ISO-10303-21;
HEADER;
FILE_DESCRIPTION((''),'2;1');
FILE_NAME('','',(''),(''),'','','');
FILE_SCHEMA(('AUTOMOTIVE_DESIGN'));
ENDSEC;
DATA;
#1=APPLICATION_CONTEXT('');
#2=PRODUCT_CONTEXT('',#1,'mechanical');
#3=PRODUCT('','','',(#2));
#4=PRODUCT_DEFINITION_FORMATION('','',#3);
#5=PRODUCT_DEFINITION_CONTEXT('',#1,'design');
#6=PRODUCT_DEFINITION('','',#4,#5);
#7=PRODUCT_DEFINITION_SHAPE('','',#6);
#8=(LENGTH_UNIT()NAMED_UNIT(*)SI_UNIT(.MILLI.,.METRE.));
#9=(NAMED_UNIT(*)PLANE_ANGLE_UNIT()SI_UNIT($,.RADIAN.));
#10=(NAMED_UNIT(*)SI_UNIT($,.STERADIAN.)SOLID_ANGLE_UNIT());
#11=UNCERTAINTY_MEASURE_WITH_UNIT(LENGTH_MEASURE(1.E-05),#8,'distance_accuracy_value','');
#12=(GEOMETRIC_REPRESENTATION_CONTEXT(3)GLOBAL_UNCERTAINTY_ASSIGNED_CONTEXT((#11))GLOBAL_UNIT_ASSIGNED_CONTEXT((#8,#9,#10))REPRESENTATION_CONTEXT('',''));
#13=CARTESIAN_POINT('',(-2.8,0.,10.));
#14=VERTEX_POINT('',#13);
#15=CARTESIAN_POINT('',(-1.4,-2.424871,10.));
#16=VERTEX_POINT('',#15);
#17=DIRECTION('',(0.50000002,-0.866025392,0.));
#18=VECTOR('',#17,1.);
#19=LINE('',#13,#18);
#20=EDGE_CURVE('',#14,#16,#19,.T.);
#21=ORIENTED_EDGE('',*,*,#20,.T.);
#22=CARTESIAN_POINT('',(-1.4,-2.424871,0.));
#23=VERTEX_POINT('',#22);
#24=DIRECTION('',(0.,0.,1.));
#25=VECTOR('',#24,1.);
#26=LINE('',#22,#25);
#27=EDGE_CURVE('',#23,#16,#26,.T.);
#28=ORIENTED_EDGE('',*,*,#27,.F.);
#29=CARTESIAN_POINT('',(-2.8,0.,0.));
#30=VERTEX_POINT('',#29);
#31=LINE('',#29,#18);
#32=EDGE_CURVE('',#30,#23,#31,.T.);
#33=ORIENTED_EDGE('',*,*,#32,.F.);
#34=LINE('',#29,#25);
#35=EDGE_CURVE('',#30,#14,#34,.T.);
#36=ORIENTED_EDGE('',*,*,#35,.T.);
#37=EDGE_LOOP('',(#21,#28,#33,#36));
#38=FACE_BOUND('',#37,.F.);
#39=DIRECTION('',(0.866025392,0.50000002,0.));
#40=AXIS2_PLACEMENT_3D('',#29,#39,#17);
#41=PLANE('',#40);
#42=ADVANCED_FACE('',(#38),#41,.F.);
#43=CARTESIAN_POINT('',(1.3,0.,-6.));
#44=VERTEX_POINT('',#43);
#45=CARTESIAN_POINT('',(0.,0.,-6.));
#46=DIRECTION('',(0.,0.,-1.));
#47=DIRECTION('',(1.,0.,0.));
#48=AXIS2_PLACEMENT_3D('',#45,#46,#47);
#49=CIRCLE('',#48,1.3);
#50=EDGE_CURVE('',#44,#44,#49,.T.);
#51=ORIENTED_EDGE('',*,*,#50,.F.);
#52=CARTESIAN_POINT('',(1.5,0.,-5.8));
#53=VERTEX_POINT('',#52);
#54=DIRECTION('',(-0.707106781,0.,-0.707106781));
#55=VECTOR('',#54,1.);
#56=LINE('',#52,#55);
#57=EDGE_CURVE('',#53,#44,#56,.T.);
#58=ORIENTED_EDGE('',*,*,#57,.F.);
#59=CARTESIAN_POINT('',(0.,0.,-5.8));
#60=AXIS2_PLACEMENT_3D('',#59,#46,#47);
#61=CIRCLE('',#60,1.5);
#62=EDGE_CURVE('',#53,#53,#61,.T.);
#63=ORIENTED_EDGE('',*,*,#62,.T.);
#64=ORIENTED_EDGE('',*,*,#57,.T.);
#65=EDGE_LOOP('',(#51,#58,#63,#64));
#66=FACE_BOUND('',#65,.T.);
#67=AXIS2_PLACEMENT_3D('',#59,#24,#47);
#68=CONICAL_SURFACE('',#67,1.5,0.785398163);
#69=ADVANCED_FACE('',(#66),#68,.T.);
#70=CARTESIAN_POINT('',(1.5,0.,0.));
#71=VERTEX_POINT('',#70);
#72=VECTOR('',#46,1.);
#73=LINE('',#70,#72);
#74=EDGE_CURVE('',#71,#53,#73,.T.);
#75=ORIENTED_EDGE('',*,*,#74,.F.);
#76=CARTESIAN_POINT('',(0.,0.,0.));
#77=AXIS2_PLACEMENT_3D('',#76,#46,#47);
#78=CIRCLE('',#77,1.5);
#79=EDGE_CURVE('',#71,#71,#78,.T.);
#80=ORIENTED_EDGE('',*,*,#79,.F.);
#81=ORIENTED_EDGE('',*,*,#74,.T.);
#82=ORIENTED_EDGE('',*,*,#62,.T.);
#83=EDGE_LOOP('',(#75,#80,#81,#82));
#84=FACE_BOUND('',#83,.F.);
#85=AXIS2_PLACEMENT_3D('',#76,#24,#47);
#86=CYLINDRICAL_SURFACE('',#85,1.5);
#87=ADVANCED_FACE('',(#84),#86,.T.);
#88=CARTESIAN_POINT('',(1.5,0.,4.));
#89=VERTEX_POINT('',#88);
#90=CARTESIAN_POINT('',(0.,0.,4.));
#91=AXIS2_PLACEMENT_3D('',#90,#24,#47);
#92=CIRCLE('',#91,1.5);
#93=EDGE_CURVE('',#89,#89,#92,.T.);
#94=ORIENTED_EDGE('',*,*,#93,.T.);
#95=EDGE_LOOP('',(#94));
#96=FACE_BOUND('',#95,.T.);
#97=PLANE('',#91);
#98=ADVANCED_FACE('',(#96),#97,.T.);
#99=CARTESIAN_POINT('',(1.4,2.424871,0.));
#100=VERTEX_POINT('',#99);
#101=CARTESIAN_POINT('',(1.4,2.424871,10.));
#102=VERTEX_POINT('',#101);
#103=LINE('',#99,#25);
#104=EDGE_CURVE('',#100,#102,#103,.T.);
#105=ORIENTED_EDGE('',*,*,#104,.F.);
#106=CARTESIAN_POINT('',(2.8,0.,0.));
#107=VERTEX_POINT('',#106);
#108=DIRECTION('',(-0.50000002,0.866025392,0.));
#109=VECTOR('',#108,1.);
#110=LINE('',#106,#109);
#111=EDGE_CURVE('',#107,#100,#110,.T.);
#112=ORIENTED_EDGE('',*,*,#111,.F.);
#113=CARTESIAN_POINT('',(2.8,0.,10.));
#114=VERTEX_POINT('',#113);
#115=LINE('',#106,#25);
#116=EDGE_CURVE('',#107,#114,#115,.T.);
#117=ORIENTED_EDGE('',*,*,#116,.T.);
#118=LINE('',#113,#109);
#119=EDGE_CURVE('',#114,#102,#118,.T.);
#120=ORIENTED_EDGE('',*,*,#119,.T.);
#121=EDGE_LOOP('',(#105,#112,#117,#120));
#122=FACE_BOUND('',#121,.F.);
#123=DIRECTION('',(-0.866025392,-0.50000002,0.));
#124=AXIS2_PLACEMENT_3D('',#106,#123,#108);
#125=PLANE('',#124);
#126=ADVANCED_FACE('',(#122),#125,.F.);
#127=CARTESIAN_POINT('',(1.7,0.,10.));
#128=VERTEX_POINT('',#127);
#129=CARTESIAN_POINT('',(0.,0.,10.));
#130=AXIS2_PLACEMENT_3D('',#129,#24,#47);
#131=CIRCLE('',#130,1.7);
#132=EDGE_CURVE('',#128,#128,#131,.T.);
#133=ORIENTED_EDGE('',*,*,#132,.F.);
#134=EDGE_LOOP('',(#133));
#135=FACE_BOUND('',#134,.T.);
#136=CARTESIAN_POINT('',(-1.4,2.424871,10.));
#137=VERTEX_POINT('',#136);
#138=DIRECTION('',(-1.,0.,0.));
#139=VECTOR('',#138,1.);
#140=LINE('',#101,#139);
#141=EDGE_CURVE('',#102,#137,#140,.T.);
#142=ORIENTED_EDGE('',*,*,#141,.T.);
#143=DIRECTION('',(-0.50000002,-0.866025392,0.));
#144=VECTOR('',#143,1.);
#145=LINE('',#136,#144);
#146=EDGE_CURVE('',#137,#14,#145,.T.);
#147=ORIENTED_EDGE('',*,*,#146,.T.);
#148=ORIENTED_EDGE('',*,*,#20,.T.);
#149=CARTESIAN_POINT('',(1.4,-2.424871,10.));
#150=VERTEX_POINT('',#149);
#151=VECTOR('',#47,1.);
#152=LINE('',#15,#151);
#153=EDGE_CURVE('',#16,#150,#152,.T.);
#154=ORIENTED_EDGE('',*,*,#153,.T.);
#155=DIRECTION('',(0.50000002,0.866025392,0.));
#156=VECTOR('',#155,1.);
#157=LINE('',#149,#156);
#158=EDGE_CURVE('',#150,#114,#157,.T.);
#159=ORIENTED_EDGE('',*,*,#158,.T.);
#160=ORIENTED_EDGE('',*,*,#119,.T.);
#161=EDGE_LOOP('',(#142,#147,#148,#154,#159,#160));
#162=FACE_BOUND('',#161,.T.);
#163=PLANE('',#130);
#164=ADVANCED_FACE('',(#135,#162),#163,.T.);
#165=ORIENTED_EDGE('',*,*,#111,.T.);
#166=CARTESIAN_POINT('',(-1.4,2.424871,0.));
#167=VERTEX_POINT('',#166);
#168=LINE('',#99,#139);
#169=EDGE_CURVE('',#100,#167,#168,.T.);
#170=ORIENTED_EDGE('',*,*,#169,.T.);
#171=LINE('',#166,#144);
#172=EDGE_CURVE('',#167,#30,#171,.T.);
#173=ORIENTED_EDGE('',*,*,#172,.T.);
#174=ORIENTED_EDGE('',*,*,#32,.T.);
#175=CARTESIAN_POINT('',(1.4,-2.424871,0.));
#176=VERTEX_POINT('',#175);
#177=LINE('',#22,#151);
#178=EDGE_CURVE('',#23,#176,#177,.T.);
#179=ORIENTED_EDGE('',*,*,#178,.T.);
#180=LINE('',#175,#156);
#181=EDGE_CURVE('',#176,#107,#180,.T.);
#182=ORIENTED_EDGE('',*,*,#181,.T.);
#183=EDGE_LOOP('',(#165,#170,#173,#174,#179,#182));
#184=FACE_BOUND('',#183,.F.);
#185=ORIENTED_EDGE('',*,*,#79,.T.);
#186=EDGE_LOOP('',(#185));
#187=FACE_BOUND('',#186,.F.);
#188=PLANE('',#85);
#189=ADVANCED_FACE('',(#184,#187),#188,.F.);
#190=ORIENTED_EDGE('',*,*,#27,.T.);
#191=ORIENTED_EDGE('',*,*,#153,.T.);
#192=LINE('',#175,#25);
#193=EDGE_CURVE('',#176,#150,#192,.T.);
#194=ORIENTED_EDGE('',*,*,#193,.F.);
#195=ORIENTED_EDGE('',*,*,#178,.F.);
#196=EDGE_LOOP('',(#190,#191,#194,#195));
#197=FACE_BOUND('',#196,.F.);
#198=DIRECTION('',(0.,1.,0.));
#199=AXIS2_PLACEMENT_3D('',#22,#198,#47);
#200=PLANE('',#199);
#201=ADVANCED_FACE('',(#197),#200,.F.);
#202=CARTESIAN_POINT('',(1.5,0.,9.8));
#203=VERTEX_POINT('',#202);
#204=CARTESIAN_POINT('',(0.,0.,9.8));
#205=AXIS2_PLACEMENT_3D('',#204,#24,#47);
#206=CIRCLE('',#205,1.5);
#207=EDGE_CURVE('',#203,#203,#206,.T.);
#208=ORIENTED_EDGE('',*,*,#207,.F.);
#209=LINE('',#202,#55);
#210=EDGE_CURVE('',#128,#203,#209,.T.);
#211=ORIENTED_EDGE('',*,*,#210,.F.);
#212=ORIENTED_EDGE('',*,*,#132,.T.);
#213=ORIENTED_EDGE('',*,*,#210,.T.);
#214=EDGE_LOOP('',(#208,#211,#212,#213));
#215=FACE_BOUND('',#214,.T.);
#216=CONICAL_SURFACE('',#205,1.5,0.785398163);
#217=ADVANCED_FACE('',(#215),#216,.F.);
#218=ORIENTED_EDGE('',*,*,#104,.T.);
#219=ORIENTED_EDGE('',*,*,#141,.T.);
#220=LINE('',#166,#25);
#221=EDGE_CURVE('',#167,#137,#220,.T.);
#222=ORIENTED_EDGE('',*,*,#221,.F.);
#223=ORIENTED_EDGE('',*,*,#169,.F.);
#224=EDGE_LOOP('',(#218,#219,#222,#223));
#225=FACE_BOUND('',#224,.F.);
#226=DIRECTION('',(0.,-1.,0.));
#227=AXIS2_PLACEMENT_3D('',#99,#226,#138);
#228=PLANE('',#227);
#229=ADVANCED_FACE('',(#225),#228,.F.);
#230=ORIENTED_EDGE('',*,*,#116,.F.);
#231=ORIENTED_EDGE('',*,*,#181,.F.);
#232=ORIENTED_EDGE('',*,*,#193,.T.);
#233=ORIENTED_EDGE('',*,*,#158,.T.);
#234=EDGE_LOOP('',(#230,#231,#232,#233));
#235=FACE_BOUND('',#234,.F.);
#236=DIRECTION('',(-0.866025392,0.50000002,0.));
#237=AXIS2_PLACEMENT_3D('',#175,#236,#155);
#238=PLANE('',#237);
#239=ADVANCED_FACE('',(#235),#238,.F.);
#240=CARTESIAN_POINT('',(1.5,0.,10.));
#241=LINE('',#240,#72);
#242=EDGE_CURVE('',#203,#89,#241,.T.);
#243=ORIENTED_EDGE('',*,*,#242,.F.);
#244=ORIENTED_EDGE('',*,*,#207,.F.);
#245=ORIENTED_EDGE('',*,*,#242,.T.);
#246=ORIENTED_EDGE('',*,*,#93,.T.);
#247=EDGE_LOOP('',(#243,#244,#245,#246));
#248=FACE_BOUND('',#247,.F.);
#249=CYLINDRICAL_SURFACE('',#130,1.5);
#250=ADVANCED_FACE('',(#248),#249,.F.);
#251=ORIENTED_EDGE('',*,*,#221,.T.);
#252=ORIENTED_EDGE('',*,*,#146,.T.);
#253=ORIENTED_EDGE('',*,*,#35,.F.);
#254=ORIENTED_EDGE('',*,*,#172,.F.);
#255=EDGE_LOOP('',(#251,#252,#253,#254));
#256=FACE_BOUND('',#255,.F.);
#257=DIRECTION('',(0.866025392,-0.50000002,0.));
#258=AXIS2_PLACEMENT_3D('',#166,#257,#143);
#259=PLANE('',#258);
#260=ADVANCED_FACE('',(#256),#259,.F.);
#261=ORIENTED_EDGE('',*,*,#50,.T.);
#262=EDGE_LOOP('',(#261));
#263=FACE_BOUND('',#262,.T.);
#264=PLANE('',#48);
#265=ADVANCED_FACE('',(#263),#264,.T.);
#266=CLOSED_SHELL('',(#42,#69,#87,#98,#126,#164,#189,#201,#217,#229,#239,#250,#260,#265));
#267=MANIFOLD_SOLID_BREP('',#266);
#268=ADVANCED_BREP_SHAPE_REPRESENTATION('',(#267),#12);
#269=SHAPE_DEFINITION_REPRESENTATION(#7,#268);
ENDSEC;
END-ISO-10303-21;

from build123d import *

# Parameters (mm, degrees)
PAD_DEPTH    = 10
SKETCH001_R  = 1.5
PAD001_DEPTH = 6
SKETCH002_R  = 1.5
POCKET_DEPTH = 6
CHAMFER_SIZE = 0.2


with BuildPart() as part:
    # Sketch → Pad (new body)
    with BuildSketch(Plane.XY):
        Polygon((2.8, 0), (1.4, 2.424871), (-1.4, 2.424871), (-2.8, 0), (-1.4, -2.424871), (1.4, -2.424871), align=None)
    extrude(amount=PAD_DEPTH)

    # Sketch001 (on Face7 of Pad) → Pad001 (join)
    with BuildSketch(Plane(origin=(0, 0, 0), x_dir=(1, 0, 0), z_dir=(0, 0, -1))):
        Circle(SKETCH001_R)
    extrude(amount=PAD001_DEPTH)

    # Sketch002 (on Face5 of Pad001) → Pocket (cut)
    with BuildSketch(Plane.XY.offset(10)):
        Circle(SKETCH002_R)
    extrude(amount=-POCKET_DEPTH, mode=Mode.SUBTRACT)

    # Chamfer
    chamfer_edges = [part.edges().sort_by_distance(p)[0] for p in [
        (-1.5, 0, 10),
        (-1.5, 0, -6),
    ]]
    chamfer(chamfer_edges, length=CHAMFER_SIZE)


solid = part.part
